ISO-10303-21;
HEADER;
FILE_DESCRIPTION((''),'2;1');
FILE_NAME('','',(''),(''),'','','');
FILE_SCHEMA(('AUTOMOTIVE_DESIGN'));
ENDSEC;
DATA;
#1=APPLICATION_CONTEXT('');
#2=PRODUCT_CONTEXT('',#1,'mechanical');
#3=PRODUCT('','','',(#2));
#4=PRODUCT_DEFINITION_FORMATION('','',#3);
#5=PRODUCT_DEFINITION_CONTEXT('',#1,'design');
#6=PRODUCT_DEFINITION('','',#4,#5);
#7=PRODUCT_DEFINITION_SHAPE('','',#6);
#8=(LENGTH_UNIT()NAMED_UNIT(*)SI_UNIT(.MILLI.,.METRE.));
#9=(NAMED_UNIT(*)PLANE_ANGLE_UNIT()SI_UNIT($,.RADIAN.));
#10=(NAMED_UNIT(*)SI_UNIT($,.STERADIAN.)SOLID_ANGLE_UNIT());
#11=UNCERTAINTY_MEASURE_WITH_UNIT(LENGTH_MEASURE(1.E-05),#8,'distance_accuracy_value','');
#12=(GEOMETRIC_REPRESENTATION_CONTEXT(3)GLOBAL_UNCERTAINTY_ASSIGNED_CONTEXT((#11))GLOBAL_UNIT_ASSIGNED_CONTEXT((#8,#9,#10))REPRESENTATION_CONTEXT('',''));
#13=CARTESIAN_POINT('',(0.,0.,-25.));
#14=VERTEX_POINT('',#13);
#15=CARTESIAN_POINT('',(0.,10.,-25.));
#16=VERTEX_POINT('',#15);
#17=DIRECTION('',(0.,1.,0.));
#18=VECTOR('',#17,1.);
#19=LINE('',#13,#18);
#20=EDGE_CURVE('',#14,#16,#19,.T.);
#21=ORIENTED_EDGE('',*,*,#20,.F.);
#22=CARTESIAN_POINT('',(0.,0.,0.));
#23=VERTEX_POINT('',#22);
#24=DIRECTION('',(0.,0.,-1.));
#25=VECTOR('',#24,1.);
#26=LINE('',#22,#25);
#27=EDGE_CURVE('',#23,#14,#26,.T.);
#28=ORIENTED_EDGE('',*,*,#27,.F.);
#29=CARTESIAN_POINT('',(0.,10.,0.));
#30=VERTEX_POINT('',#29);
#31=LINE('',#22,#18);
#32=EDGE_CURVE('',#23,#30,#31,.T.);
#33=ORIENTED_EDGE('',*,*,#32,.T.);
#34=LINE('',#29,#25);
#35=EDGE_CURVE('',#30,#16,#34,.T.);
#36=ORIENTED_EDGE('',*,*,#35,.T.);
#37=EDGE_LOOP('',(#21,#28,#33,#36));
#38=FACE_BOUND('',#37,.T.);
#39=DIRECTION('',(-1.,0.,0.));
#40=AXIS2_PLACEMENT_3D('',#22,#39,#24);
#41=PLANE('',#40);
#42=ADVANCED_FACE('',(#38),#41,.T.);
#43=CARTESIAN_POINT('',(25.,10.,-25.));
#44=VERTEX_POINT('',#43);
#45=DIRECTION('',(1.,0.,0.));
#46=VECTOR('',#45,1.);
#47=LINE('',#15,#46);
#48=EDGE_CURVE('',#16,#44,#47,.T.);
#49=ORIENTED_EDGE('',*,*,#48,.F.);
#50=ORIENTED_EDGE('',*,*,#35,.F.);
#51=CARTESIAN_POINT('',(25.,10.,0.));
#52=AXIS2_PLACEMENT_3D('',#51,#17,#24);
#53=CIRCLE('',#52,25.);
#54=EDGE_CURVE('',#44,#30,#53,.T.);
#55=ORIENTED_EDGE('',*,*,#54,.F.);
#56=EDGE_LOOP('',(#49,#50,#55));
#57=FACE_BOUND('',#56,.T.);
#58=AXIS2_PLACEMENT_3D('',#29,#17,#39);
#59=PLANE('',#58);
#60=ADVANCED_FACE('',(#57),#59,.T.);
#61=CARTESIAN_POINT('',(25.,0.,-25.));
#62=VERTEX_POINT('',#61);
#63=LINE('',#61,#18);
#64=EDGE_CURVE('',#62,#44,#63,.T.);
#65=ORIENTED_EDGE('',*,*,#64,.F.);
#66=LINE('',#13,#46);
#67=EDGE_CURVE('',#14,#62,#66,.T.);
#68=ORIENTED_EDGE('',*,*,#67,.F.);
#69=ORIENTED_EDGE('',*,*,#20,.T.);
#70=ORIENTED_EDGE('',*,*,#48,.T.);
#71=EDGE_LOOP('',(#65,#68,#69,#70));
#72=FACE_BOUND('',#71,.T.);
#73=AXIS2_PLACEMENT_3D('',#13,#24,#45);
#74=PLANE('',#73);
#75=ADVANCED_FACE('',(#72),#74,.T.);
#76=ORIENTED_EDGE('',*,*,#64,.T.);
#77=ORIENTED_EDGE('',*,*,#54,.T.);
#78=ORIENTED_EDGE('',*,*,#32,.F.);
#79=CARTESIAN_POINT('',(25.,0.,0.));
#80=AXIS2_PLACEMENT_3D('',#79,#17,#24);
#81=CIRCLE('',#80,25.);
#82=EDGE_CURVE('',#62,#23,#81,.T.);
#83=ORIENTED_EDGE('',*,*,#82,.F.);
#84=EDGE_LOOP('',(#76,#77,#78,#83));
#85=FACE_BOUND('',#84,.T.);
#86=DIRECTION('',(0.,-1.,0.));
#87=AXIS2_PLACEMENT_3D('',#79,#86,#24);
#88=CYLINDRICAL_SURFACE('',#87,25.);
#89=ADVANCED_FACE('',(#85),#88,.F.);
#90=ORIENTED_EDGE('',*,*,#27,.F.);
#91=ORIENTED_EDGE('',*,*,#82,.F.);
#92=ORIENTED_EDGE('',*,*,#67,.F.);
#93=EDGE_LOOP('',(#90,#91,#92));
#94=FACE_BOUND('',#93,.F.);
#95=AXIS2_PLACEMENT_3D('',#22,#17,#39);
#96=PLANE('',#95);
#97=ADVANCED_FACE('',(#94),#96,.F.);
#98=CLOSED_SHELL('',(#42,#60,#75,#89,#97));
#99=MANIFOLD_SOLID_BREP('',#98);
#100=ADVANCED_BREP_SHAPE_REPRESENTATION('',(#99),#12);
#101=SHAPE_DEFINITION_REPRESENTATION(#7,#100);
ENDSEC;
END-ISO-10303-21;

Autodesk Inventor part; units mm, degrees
ref_plane "YZ Plane" through (0, 0, 0) normal (1, 0, 0) x (0, 1, 0)
ref_plane "XZ Plane" through (0, 0, 0) normal (0, 1, 0) x (-1, 0, 0)
ref_plane "XY Plane" through (0, 0, 0) normal (0, 0, 1) x (1, 0, 0)
sketch "Esboço1" plane through (0, 0, 0) normal (0, 1, 0) x (-1, 0, 0)
  line L0 (0, 0) -> (0, -25)
  line L1 (0, -25) -> (-25, -25)
  arc A0 (-25, -25) -> (0, 0) centre (-25, 0) ccw
  dimension "d0" = 25
extrude "Extrusão1" add sketch "Esboço1" along normal blind 10
properties part number "Encaixe circular (trilhos)"
